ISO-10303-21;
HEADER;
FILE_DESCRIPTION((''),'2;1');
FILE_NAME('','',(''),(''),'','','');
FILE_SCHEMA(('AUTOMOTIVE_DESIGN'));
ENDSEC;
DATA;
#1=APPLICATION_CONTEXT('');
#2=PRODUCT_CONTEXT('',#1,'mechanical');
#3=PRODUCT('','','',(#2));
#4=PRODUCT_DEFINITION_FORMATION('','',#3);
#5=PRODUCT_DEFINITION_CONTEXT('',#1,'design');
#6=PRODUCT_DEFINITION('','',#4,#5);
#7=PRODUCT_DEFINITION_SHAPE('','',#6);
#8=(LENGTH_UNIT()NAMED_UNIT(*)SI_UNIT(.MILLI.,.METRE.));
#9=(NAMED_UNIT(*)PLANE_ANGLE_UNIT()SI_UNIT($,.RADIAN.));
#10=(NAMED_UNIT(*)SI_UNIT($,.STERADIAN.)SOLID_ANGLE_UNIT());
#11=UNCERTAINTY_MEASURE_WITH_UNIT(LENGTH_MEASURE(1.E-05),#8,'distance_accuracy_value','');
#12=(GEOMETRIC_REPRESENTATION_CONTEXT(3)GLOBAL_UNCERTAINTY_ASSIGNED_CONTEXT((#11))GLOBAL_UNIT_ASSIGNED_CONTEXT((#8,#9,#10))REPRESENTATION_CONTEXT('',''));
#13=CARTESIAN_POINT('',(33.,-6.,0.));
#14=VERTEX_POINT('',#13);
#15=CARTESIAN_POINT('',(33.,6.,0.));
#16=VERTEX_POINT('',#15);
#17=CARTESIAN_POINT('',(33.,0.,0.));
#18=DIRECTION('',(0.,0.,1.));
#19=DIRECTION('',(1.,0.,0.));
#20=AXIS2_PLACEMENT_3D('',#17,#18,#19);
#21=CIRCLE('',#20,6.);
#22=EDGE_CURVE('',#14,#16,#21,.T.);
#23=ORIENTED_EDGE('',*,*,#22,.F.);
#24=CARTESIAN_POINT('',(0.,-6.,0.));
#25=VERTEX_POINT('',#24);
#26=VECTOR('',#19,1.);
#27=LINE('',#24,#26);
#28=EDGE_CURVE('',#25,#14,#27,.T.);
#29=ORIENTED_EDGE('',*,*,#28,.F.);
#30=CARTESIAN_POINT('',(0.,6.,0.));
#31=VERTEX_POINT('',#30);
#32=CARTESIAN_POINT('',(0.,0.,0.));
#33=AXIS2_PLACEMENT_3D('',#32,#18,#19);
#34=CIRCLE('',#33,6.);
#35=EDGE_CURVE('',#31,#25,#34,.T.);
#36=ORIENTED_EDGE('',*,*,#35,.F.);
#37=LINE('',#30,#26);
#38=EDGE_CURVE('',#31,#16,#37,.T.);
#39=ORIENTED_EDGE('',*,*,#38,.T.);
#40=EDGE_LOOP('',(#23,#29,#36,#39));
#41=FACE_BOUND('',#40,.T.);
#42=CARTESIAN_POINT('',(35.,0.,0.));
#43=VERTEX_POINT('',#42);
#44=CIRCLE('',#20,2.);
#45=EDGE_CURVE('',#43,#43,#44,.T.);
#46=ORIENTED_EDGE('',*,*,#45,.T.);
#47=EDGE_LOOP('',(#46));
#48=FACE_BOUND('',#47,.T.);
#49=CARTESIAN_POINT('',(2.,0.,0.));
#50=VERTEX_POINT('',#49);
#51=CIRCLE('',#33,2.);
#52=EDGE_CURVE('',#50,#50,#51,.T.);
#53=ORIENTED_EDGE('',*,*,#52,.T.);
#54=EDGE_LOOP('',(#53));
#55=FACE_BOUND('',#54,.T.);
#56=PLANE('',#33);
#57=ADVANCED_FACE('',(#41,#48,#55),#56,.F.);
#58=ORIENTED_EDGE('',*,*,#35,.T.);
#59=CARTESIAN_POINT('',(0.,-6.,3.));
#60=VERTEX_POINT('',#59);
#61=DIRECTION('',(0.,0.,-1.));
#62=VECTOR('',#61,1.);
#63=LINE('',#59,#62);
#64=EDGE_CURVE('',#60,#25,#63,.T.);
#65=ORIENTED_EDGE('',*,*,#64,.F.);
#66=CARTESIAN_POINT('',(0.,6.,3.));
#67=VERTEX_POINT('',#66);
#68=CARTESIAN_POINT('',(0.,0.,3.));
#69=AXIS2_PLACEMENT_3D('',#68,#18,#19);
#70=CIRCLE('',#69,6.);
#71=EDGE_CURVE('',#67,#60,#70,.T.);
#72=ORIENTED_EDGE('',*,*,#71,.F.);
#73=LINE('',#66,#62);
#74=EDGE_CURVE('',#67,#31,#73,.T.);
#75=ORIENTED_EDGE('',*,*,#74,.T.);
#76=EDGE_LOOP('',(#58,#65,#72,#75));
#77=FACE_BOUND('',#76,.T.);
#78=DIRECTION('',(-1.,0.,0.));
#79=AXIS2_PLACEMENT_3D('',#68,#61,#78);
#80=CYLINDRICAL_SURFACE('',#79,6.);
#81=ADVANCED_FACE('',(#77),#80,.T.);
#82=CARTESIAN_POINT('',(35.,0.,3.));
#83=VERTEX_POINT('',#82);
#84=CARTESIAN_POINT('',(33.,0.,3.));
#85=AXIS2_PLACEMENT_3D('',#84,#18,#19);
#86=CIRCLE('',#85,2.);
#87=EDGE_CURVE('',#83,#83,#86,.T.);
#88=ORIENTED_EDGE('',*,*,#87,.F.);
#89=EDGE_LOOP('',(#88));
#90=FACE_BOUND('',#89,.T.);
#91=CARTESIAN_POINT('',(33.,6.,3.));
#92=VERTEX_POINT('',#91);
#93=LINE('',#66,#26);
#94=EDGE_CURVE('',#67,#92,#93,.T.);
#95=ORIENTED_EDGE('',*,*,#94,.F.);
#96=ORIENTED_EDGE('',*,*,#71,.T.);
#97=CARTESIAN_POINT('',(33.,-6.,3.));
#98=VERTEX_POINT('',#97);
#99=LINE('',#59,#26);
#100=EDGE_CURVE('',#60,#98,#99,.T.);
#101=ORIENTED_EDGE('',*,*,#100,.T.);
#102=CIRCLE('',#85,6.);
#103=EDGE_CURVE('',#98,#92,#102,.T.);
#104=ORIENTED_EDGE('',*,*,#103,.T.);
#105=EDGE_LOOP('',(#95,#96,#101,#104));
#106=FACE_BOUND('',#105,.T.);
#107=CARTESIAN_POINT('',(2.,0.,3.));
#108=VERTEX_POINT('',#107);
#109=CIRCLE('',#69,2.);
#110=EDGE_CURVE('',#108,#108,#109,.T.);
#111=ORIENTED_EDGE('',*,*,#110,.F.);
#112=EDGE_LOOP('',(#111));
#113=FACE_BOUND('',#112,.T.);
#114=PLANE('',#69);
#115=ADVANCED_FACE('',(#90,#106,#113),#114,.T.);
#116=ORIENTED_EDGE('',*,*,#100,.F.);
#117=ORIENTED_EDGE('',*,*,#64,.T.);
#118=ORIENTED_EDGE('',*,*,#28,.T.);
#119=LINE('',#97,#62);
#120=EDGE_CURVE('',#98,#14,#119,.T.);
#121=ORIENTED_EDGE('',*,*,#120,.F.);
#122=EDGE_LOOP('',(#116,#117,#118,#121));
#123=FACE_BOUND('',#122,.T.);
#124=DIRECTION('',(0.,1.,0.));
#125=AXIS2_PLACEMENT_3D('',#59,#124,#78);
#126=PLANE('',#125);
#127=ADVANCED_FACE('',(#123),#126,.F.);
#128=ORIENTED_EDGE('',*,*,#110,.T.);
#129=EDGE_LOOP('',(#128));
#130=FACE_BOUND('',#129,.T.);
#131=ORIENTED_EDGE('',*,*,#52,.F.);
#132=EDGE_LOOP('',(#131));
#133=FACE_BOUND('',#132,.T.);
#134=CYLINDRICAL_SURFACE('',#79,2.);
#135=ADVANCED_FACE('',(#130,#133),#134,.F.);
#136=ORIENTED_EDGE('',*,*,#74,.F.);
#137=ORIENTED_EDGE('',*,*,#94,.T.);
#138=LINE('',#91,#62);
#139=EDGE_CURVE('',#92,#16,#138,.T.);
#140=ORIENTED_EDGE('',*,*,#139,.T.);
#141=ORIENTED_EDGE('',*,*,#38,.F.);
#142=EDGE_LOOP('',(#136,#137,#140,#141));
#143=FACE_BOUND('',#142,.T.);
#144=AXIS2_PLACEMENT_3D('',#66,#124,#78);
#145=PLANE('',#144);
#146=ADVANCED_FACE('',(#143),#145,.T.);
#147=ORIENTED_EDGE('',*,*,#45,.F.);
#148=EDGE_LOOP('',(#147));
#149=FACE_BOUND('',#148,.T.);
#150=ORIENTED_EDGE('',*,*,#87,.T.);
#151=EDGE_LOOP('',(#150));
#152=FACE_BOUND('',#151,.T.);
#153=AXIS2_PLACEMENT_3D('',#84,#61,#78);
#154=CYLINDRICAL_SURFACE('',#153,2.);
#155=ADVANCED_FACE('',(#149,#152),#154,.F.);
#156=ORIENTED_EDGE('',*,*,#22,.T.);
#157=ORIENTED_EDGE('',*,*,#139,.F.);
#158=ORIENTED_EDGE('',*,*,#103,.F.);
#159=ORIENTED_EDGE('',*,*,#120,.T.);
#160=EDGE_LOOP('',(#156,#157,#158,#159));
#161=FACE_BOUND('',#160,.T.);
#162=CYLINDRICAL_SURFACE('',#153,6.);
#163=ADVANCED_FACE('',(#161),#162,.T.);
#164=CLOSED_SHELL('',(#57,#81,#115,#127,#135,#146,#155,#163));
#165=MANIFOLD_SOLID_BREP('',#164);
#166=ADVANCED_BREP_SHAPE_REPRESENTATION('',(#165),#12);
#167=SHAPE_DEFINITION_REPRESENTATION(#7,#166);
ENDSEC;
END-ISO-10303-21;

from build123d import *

# Parameters (mm, degrees)
EXTRUDE_1_DEPTH = 3


with BuildPart() as part:
    # 草图1 → 凸台-拉伸1 (new body)
    with BuildSketch(Plane.XY):
        with BuildLine():
            ThreePointArc((0, 6), (4.242640687, 4.242640687), (6, 0))
            Line((6, 0), (27, 0))
            ThreePointArc((27, 0), (28.757359313, 4.242640687), (33, 6))
            Line((33, 6), (0, 6))
        make_face()
        with BuildLine():
            Line((27, 0), (6, 0))
            ThreePointArc((6, 0), (4.242640687, -4.242640687), (0, -6))
            Line((0, -6), (33, -6))
            ThreePointArc((33, -6), (28.757359313, -4.242640687), (27, 0))
        make_face()
        with BuildLine():
            ThreePointArc((-2, 0), (0, 2), (2, 0))
            Line((2, 0), (6, 0))
            ThreePointArc((6, 0), (4.242640687, 4.242640687), (0, 6))
            ThreePointArc((0, 6), (-4.242640687, 4.242640687), (-6, 0))
            Line((-6, 0), (-2, 0))
        make_face()
        with BuildLine():
            Line((6, 0), (2, 0))
            ThreePointArc((2, 0), (0, -2), (-2, 0))
            Line((-2, 0), (-6, 0))
            ThreePointArc((-6, 0), (-4.242640687, -4.242640687), (0, -6))
            ThreePointArc((0, -6), (4.242640687, -4.242640687), (6, 0))
        make_face()
        with BuildLine():
            ThreePointArc((33, 6), (28.757359313, 4.242640687), (27, 0))
            Line((27, 0), (31, 0))
            ThreePointArc((31, 0), (33, 2), (35, 0))
            Line((35, 0), (39, 0))
            ThreePointArc((39, 0), (37.242640687, 4.242640687), (33, 6))
        make_face()
        with BuildLine():
            Line((31, 0), (27, 0))
            ThreePointArc((27, 0), (28.757359313, -4.242640687), (33, -6))
            ThreePointArc((33, -6), (37.242640687, -4.242640687), (39, 0))
            Line((39, 0), (35, 0))
            ThreePointArc((35, 0), (33, -2), (31, 0))
        make_face()
    extrude(amount=EXTRUDE_1_DEPTH)


solid = part.part
